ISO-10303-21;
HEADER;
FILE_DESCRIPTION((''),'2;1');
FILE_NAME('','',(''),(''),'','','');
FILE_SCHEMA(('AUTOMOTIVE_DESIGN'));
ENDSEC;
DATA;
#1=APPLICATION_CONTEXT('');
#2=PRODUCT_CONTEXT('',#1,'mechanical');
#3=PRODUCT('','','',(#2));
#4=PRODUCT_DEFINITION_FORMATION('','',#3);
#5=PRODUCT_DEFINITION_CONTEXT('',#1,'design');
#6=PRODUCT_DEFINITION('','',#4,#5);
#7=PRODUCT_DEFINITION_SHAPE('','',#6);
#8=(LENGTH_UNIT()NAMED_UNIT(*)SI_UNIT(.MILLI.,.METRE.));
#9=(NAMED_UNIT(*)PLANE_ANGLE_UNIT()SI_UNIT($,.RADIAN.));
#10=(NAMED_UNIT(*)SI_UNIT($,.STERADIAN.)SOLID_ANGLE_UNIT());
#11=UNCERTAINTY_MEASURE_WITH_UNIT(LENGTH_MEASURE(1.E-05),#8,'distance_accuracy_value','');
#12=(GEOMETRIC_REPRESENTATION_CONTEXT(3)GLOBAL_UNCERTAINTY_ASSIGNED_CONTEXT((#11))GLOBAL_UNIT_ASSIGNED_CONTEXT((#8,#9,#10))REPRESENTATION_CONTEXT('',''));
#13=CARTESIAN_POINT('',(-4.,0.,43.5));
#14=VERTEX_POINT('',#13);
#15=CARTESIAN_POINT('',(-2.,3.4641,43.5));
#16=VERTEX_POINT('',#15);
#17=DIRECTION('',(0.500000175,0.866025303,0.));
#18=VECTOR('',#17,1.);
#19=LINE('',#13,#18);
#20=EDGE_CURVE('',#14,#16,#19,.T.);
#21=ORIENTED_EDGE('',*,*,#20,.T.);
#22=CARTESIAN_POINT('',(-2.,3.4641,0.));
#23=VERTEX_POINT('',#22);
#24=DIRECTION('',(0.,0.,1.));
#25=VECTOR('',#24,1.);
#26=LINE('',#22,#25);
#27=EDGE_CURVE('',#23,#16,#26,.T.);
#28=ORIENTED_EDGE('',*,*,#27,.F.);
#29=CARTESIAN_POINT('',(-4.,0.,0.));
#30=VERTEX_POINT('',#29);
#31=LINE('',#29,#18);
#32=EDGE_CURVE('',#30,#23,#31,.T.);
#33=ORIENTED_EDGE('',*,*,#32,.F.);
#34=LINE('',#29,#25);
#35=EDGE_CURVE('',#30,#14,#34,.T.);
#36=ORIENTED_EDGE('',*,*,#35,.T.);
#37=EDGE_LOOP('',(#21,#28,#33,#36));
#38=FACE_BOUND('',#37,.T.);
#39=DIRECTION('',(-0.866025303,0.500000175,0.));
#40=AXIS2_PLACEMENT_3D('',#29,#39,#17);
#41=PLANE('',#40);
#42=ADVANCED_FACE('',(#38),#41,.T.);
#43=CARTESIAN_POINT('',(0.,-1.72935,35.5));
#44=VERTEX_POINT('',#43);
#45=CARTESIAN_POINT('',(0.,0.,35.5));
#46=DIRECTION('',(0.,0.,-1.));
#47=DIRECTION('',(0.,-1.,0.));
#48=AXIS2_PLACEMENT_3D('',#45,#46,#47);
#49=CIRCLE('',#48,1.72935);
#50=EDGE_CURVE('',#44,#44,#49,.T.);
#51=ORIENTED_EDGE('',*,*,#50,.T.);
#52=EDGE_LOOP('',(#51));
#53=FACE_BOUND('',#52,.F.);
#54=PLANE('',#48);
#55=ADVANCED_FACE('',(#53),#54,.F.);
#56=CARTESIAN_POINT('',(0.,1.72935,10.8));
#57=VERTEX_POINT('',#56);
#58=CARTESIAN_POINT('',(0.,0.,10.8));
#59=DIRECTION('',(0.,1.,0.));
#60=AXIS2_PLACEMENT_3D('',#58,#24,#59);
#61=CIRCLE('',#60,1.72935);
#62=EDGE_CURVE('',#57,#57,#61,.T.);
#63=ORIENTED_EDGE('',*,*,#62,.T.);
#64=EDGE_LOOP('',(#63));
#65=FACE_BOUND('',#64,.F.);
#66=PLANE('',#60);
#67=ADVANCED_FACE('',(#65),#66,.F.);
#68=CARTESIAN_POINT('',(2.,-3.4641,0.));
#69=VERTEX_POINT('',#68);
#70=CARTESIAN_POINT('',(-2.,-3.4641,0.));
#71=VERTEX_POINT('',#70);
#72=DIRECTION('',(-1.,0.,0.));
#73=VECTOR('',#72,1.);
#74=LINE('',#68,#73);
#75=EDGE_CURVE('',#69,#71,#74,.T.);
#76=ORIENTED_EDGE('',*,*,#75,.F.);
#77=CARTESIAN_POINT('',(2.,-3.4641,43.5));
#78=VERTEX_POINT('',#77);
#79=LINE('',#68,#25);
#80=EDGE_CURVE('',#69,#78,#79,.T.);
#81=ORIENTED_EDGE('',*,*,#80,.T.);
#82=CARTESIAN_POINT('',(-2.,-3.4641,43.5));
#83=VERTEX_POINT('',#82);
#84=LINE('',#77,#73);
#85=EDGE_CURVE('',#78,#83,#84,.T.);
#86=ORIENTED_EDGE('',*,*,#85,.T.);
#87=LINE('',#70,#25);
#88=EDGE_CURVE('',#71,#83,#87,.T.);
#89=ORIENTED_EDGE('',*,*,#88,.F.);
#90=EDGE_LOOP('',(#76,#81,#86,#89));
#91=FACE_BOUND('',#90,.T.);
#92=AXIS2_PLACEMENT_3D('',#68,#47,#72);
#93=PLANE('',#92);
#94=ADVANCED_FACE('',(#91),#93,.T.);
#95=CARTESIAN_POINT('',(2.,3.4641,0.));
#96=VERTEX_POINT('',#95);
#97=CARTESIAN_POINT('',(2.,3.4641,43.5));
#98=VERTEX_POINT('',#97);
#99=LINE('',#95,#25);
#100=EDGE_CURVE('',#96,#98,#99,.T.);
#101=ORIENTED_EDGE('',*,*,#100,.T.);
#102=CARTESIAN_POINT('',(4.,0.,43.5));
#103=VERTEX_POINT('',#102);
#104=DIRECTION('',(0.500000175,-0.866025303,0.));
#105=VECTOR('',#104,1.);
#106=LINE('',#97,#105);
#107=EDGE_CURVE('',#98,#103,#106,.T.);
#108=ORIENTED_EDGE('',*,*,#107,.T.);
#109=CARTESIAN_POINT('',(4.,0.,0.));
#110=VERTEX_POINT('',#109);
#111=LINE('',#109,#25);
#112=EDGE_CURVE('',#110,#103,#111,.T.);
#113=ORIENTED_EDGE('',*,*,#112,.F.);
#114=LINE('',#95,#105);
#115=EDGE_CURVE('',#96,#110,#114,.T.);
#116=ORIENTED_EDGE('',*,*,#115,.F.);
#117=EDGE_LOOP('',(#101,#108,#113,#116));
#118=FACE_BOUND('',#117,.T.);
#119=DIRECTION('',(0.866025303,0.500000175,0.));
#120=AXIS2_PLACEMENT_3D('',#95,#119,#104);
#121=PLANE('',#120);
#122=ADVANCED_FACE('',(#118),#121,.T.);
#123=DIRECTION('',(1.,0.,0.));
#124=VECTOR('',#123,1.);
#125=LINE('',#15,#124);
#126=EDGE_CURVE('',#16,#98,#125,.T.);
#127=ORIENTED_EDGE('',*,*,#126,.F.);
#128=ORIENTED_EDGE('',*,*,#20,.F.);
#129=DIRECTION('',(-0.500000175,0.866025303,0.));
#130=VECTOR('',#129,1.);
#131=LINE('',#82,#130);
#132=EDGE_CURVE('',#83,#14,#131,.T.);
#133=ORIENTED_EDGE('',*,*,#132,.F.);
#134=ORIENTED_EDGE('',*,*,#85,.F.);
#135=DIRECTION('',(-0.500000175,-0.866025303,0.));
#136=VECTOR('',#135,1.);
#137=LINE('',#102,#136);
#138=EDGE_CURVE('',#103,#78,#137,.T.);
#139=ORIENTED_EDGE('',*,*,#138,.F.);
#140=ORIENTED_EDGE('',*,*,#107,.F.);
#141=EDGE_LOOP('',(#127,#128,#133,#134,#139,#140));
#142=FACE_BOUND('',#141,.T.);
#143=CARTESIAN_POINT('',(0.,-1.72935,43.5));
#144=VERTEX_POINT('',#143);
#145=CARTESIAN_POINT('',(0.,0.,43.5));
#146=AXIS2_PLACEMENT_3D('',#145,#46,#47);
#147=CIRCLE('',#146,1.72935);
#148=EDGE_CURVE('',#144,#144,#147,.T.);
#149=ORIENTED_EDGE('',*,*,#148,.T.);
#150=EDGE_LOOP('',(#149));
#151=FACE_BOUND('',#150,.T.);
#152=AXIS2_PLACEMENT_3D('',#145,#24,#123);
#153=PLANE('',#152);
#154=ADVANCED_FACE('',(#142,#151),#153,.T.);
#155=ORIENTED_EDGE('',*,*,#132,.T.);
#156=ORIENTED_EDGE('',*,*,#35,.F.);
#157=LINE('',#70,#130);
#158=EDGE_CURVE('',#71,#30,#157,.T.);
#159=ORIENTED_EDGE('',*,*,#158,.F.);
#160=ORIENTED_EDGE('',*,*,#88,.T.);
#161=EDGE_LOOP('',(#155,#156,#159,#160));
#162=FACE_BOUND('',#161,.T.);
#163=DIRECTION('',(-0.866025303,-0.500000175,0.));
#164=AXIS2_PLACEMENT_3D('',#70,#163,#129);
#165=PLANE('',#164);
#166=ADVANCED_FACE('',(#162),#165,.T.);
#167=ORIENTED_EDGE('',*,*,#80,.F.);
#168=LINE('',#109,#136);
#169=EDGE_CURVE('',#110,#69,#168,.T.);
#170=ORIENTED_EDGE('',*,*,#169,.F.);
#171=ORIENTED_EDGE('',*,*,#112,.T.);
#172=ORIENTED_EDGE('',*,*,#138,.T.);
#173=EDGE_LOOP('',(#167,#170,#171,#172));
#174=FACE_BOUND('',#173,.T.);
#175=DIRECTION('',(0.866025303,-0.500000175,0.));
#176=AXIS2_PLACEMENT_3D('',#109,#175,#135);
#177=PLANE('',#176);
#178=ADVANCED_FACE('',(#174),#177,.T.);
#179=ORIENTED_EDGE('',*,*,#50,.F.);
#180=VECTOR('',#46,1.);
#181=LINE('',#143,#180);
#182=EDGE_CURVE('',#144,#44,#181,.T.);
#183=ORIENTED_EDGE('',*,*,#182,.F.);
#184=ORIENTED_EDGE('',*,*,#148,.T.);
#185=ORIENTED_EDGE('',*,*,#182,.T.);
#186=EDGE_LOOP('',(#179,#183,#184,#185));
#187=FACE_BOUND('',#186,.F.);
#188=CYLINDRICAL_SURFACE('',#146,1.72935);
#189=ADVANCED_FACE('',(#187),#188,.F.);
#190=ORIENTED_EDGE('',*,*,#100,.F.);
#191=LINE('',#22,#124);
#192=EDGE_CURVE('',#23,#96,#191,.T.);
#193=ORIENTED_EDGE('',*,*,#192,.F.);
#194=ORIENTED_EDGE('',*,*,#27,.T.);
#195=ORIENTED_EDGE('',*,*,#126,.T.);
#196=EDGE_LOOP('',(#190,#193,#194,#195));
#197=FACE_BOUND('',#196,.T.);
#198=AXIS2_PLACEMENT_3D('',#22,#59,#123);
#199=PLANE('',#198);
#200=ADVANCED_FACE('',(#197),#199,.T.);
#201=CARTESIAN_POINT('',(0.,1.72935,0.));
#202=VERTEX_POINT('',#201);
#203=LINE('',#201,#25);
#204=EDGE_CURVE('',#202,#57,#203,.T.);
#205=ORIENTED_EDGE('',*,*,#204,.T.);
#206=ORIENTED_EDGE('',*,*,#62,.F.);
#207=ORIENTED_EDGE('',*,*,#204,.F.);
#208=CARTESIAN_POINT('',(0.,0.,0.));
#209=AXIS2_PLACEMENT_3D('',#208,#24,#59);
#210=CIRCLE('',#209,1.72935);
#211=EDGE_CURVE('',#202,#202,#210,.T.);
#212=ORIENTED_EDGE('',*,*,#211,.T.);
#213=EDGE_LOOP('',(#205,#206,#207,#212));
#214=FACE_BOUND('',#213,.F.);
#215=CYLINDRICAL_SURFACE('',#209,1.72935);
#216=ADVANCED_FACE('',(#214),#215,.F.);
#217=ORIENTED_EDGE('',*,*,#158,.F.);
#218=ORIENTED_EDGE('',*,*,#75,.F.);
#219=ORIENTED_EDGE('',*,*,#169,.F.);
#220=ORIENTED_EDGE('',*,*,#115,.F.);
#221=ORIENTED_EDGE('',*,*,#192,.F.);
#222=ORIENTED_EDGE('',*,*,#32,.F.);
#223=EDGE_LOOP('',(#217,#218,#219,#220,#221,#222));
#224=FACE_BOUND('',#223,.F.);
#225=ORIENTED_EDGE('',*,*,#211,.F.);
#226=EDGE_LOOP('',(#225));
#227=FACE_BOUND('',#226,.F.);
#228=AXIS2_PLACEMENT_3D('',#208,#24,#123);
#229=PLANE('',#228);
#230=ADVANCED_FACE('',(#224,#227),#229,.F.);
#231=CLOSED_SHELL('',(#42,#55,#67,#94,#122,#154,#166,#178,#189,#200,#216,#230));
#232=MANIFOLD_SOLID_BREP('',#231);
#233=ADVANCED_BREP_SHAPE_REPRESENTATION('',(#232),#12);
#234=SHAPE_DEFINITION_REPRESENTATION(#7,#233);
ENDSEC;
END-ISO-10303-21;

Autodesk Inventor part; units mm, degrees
sketch "Sketch1" plane through (0, 0, 0) normal (0, 0, 1) x (1, 0, 0)
  line L0 (0, 2.8582) -> (0, -2.8582) construction
  line L1 (-5.7775, 0) -> (5.7775, 0) construction
  line L2 (0, 0) -> (4, 0)
  line L3 (4, 0) -> (-4, 0)
  circle A0 centre (0, 0) radius 4
  line L4 (0, 0) -> (-2, 3.4641)
  line L5 (0, 0) -> (4, 0) construction
  line L6 (0, 0) -> (2, 3.4641)
  line L7 (0, 0) -> (4, 0) construction
  line L8 (0, 0) -> (4, 0)
  line L9 (0, 0) -> (2, -3.4641)
  line L10 (0, 0) -> (-2, -3.4641)
  line L11 (-2, 3.4641) -> (2, 3.4641)
  line L12 (2, 3.4641) -> (4, 0)
  line L13 (4, 0) -> (2, -3.4641)
  line L14 (2, -3.4641) -> (-2, -3.4641)
  line L15 (-2, -3.4641) -> (-4, 0)
  line L16 (-4, 0) -> (-2, 3.4641)
  dimension "d1" = 4
  dimension "d2" = 8
  dimension "d3" = 120
  dimension "d4" = 60
extrude "Extrusion1" add sketch "Sketch1" along normal blind 43.5 contours L6 L12 L2 | L10 L15 L3 | L3 L16 L4 | L4 L11 L6 | L2 L13 L9 | L9 L14 L10
sketch "Sketch5" plane through (0, 0, 43.5) normal (0, 0, 1) x (1, 0, 0)
  point P0 (0, 0)
  point P1 (0, 0)
hole "Hole2" at (0, 0, 43.5) direction (0, 0, -1) diameter 3.4587 depth 8 thread size "M4x0.5" class "6H" standard "ISO Metric profile"
sketch "Sketch6" plane through (0, 0, 0) normal (0, 0, -1) x (-1, 0, 0)
  point P0 (0, 0)
  point P1 (0, 0)
hole "Hole3" at (0, 0, 0) direction (0, 0, 1) diameter 3.4587 depth 10.8 thread size "M4x0.5" class "6H" standard "ISO Metric profile"
ref_plane "Work Plane1" through (0, 0, 5.4) normal (0, 0, -1) x (-1, 0, 0)
properties part number "Steun stuk" material "S235"
